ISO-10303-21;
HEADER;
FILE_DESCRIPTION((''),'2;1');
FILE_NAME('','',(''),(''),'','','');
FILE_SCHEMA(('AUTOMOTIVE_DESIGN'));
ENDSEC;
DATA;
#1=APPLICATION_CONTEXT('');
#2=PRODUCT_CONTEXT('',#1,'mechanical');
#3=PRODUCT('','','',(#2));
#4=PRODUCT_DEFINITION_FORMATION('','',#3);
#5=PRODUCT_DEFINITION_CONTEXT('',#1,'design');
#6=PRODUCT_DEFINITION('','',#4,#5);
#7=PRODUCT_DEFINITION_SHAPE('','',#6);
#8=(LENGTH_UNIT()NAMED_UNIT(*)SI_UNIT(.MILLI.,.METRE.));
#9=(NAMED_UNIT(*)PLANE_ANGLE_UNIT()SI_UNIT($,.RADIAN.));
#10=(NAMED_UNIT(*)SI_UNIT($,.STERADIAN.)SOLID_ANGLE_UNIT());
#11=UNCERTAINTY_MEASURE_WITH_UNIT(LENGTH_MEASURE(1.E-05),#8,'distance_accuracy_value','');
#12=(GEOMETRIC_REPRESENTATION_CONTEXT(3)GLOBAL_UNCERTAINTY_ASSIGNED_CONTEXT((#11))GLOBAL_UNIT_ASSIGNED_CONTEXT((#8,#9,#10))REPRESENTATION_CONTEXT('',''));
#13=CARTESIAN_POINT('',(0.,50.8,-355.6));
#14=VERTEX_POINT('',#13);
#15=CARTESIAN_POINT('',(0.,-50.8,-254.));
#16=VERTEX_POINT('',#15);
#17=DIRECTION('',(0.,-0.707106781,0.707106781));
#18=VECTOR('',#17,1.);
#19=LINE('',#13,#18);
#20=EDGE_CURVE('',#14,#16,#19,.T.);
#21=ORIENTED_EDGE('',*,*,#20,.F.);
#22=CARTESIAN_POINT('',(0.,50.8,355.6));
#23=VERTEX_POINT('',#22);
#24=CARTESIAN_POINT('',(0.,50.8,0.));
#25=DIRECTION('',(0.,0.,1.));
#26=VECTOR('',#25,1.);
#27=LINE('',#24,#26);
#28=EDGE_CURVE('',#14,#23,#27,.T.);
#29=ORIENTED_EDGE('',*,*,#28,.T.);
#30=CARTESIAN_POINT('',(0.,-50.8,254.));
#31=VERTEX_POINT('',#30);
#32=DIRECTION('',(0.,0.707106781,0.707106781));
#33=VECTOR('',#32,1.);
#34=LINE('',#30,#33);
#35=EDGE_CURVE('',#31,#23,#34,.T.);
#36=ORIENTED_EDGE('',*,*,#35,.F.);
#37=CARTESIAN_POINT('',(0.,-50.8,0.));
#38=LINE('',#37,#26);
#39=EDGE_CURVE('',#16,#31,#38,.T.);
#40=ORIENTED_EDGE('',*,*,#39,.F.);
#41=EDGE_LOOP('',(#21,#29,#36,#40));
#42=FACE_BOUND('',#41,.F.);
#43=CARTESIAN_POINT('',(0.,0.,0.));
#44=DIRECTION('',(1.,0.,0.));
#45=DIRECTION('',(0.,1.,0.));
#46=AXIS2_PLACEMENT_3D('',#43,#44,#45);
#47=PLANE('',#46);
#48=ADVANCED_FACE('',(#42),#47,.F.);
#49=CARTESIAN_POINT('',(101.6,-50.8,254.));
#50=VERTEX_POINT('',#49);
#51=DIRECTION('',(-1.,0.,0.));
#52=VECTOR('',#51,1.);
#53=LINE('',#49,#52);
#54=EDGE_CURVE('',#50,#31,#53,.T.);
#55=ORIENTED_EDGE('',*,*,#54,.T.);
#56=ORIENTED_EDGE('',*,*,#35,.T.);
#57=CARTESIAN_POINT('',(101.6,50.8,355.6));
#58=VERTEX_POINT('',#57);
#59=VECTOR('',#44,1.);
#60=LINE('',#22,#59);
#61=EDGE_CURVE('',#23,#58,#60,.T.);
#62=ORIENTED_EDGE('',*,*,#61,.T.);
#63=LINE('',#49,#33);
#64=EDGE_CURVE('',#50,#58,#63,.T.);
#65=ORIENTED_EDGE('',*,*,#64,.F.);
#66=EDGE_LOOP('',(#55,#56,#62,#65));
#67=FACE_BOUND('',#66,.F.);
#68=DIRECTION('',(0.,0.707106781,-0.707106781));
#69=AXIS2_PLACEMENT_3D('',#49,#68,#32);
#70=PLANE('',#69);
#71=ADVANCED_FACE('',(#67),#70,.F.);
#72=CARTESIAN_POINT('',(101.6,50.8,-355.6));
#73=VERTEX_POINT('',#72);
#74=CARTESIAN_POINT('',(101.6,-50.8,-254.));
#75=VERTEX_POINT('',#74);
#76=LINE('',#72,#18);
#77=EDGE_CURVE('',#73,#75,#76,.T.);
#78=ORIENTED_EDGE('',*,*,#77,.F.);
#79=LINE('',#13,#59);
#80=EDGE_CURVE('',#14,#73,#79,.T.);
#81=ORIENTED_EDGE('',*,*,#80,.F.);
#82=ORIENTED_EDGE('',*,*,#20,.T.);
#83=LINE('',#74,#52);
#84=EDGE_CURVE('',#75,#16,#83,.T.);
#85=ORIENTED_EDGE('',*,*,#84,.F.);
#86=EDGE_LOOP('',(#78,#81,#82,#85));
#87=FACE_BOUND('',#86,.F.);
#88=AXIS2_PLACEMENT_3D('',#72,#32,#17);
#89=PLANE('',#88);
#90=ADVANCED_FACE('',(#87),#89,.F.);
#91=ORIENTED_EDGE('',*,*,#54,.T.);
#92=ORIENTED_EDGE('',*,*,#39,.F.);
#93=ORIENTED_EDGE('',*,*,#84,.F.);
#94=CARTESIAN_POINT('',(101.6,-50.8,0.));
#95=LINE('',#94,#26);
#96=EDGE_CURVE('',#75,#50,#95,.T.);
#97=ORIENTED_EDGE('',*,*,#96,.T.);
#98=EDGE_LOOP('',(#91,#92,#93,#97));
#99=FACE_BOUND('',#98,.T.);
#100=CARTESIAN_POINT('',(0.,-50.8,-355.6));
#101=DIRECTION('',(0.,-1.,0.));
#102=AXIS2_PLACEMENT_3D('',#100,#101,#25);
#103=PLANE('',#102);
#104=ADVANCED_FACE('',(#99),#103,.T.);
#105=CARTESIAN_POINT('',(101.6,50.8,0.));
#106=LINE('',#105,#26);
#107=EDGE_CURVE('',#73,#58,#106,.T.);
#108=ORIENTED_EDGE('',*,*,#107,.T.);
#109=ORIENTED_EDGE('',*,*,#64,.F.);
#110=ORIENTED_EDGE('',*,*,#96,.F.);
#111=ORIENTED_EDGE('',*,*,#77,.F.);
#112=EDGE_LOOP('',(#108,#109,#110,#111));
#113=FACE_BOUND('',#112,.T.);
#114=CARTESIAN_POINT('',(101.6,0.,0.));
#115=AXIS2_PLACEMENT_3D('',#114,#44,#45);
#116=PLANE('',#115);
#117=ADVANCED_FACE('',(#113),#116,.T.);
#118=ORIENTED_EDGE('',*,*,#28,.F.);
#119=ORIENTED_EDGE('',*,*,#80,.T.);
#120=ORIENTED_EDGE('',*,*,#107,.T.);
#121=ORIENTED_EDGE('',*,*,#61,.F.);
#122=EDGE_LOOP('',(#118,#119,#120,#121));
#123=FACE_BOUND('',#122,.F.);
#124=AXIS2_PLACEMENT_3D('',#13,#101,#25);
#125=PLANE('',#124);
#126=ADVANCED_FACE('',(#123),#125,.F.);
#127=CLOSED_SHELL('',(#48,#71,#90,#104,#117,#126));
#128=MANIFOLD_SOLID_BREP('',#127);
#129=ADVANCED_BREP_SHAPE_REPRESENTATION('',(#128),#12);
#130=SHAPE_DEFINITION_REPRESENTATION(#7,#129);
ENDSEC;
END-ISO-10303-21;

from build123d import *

# Parameters (mm, degrees)
F0_W     = 101.6
F0_H     = 711.2
F1_DEPTH = 101.6
F3_DEPTH = 101.6


with BuildPart() as f1:
    # F0 (on Right) → F1 (new body)
    with BuildSketch(Plane.YZ):
        Rectangle(F0_W, F0_H)
    extrude(amount=F1_DEPTH)

    # F2 (on face) → F3 (cut)
    with BuildSketch(Plane.YZ.offset(101.6)):
        Polygon((-50.8, 254), (50.8, 355.6), (-50.8, 355.6), align=None)
        Polygon((-50.8, -355.6), (50.8, -355.6), (-50.8, -254), align=None)
    extrude(amount=-F3_DEPTH, mode=Mode.SUBTRACT)


solid = f1.part
